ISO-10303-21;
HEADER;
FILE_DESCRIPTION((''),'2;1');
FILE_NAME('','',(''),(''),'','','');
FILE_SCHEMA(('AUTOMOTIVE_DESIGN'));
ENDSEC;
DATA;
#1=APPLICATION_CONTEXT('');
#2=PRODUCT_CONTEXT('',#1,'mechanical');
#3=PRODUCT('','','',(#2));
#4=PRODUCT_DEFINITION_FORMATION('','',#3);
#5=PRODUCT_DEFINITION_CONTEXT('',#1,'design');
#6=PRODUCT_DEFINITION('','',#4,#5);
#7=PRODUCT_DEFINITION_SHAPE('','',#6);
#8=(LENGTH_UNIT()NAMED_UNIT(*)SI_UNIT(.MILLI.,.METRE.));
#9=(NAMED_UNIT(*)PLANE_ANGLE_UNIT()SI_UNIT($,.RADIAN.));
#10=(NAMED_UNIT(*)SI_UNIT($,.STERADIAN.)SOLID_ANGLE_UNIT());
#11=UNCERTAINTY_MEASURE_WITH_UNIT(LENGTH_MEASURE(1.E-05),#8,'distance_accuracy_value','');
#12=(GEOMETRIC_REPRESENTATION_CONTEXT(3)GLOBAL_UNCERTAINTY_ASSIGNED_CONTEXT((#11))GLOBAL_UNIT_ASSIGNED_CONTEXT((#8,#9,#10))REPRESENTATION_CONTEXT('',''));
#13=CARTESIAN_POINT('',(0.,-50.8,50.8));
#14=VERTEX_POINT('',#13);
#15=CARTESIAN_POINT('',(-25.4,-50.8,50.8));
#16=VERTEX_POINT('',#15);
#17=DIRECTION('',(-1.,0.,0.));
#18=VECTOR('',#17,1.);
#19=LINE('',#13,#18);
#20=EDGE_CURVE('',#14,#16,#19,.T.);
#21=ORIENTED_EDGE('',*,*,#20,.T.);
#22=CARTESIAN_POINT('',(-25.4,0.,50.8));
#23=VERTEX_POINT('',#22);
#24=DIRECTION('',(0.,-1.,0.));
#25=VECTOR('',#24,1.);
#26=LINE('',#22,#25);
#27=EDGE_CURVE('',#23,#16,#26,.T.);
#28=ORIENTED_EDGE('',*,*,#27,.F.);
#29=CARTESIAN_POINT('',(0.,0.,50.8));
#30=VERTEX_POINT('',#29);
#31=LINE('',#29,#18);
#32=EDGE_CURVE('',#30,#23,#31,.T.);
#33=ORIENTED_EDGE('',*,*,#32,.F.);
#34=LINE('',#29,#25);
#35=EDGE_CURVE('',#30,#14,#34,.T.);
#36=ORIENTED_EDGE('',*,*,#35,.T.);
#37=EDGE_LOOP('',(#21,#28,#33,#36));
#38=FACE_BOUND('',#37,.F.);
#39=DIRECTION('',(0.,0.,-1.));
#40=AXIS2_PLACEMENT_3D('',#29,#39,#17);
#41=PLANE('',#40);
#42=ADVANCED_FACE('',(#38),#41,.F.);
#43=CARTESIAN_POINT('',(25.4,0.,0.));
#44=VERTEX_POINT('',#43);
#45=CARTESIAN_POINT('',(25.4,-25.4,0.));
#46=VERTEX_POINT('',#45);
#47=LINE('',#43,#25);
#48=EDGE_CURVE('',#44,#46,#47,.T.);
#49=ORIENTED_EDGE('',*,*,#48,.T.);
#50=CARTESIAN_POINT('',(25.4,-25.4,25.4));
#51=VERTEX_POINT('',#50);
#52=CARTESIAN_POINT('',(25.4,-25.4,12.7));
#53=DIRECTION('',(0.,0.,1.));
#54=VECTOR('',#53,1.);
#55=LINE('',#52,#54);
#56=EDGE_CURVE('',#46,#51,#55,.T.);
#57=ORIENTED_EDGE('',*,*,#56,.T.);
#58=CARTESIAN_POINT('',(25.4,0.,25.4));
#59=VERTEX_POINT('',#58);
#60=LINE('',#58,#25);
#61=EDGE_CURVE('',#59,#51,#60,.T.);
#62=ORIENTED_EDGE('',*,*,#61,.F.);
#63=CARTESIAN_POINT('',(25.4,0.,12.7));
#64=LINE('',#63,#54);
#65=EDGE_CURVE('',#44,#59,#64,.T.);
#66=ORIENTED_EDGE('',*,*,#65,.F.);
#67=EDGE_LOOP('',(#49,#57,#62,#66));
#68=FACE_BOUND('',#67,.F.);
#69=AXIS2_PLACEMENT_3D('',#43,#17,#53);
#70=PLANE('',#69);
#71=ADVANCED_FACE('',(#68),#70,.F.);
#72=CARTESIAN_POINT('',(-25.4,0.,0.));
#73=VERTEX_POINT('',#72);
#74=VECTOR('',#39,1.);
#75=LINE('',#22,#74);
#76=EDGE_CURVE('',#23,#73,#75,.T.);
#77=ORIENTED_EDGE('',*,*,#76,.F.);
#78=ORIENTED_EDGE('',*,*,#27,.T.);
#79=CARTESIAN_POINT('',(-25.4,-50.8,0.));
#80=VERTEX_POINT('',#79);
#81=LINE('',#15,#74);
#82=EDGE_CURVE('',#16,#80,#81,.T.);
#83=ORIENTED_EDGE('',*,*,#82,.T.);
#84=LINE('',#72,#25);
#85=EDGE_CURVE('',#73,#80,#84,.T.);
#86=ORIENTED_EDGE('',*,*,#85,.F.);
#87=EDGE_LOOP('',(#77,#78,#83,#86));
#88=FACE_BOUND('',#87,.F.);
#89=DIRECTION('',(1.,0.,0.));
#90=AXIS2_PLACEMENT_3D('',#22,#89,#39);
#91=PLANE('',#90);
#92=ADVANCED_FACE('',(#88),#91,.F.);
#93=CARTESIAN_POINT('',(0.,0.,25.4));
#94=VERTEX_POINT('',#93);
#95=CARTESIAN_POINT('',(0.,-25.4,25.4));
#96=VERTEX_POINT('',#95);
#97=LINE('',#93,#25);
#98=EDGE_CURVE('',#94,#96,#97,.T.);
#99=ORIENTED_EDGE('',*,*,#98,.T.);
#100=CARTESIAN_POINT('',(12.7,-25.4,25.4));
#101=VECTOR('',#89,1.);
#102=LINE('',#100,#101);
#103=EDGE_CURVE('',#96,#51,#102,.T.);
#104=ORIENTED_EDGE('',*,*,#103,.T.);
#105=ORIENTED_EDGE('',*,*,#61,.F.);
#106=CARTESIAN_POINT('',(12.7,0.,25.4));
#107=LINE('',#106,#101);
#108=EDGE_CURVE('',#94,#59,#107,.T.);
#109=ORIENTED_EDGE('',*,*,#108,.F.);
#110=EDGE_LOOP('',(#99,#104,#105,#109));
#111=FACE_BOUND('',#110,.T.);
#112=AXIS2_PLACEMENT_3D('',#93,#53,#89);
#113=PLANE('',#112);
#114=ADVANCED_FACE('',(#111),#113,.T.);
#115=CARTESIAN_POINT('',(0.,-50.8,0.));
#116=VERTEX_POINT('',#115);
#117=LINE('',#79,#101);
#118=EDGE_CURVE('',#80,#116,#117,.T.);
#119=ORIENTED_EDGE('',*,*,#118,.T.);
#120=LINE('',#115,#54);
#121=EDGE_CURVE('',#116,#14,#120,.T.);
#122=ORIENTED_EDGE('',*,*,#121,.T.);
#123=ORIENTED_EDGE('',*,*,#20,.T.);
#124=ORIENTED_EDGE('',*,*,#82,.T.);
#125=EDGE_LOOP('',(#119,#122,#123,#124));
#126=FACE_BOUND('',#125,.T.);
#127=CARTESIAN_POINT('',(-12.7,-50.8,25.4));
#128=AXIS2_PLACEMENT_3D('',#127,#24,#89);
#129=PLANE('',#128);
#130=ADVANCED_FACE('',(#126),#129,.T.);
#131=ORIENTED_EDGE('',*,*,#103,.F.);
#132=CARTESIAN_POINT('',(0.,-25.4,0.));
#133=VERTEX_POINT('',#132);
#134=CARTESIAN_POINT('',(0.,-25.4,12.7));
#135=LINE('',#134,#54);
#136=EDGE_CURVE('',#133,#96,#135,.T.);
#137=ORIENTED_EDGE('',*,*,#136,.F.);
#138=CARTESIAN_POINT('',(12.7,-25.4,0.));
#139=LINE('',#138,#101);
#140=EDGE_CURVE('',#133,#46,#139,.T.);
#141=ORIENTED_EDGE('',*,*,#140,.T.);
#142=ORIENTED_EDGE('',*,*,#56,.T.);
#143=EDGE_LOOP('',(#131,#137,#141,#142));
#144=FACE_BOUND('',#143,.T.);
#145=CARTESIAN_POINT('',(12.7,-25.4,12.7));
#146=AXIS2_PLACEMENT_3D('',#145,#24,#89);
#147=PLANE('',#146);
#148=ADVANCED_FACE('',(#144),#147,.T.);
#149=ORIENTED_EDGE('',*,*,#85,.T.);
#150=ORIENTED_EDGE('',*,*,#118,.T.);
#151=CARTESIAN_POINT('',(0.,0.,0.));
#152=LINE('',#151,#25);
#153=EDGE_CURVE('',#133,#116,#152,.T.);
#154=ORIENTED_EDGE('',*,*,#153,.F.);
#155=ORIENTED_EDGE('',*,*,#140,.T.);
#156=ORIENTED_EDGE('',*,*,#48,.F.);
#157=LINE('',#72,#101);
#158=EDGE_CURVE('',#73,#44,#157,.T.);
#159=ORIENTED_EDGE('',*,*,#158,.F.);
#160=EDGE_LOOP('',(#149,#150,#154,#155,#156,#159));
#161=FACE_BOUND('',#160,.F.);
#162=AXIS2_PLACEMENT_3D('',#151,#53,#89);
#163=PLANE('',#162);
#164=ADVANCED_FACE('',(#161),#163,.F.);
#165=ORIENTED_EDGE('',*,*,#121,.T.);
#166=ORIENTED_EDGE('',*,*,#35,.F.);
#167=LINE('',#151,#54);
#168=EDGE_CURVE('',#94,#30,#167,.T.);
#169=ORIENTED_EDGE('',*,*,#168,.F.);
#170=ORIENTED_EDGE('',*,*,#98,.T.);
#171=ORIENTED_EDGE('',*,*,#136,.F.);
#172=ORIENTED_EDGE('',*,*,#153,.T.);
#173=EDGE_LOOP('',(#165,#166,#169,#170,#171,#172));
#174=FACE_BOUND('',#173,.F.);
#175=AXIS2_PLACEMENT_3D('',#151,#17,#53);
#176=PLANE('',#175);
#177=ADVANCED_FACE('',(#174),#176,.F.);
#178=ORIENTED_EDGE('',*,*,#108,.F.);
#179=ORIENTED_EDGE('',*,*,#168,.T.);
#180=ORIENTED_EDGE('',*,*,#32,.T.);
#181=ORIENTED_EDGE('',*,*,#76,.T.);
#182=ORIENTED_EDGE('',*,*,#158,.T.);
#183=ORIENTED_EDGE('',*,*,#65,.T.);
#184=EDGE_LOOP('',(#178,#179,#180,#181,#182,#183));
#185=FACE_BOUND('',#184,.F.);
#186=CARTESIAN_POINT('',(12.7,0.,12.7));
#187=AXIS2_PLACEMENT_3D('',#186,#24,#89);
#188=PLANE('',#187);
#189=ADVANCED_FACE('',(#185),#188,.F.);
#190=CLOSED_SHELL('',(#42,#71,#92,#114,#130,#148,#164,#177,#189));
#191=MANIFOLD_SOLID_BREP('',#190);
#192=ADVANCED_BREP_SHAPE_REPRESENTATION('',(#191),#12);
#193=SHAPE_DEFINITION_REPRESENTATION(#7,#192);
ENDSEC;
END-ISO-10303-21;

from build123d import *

# Parameters (mm, degrees)
F1_DEPTH = 50.8
F2_W     = 25.4
F2_H     = 25.4
F3_DEPTH = 25.4


with BuildPart() as f1:
    # F0 (on Front) → F1 (new body)
    with BuildSketch(Plane.XZ):
        Polygon((-25.4, 0), (0, 0), (0, 50.8), (-25.4, 50.8), (-25.4, 25.4), align=None)
    extrude(amount=F1_DEPTH)

    # F2 (on Front) → F3 (join)
    with BuildSketch(Plane.XZ):
        with Locations((12.7, 12.7)):
            Rectangle(F2_W, F2_H)
    extrude(amount=F3_DEPTH)


solid = f1.part
